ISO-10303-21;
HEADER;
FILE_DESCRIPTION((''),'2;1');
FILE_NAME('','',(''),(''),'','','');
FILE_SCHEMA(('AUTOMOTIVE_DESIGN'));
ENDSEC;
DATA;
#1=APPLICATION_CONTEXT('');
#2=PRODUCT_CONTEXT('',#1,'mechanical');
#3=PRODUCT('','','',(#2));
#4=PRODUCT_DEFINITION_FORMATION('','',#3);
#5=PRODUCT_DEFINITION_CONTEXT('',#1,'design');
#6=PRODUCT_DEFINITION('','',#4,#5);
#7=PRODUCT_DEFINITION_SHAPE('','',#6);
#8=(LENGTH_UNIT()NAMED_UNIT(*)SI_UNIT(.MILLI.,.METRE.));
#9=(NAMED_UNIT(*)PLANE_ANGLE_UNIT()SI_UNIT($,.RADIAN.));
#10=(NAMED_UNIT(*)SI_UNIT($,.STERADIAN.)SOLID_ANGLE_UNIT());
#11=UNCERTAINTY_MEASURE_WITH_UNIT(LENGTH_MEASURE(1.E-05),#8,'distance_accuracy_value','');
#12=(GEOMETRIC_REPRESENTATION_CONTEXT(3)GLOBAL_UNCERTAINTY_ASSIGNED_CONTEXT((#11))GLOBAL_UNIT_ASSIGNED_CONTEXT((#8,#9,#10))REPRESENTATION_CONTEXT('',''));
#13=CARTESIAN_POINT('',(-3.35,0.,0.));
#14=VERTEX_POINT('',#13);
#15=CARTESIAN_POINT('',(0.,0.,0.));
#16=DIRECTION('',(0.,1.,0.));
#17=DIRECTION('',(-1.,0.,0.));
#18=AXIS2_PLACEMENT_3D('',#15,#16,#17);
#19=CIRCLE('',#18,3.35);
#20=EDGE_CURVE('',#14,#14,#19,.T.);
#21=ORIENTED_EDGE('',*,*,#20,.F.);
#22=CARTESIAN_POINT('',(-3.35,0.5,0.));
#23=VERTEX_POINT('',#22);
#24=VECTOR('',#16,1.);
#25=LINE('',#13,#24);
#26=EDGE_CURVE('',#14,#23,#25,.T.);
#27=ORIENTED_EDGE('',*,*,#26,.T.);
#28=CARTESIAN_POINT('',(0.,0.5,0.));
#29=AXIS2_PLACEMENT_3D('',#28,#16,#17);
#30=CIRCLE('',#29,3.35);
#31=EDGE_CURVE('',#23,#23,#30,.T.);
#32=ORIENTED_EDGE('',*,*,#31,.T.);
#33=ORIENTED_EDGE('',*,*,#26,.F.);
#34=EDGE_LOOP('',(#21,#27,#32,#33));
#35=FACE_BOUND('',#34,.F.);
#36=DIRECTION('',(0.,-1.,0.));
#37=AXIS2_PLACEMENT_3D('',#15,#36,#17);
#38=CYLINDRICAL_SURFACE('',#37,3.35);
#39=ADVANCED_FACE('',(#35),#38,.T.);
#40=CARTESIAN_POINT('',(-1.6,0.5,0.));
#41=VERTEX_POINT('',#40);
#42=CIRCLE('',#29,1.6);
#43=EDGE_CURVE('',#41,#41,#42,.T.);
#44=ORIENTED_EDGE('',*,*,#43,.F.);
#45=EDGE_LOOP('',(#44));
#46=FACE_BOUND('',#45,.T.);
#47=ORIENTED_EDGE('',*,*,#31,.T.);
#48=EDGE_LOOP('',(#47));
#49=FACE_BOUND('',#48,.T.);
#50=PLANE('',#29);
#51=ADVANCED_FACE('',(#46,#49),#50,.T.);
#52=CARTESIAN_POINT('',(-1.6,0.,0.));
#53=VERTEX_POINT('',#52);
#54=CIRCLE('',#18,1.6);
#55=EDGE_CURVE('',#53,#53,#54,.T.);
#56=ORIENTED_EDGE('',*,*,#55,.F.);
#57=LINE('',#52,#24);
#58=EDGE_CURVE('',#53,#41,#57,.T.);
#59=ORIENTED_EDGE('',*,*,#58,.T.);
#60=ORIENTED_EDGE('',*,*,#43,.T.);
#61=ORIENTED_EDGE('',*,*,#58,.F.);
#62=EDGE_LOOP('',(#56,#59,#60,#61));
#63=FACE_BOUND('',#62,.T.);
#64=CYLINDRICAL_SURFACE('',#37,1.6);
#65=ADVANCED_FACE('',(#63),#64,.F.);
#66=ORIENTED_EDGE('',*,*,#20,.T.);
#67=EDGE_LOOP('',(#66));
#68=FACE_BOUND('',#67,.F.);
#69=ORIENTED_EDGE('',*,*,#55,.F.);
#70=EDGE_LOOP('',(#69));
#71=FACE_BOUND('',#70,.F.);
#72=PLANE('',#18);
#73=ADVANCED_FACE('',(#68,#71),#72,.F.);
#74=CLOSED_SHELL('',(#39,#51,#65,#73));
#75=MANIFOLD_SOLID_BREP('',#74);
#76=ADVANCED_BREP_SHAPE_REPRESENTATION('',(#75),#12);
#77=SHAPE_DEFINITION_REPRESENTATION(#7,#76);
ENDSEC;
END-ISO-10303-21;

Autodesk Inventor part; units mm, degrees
ref_plane "YZ Plane" through (0, 0, 0) normal (1, 0, 0) x (0, 1, 0)
ref_plane "XZ Plane" through (0, 0, 0) normal (0, 1, 0) x (-1, 0, 0)
ref_plane "XY Plane" through (0, 0, 0) normal (0, 0, 1) x (1, 0, 0)
sketch "Sketch1" plane through (0, 0, 0) normal (0, 1, 0) x (-1, 0, 0)
  circle A0 centre (0, 0) radius 1.6
  circle A1 centre (0, 0) radius 3.35
  dimension "d0" = 3.2
  dimension "d1" = 6.7
extrude "Extrusion1" add sketch "Sketch1" along normal blind 0.5
properties part number "M3Washer" material "Stainless Steel"
